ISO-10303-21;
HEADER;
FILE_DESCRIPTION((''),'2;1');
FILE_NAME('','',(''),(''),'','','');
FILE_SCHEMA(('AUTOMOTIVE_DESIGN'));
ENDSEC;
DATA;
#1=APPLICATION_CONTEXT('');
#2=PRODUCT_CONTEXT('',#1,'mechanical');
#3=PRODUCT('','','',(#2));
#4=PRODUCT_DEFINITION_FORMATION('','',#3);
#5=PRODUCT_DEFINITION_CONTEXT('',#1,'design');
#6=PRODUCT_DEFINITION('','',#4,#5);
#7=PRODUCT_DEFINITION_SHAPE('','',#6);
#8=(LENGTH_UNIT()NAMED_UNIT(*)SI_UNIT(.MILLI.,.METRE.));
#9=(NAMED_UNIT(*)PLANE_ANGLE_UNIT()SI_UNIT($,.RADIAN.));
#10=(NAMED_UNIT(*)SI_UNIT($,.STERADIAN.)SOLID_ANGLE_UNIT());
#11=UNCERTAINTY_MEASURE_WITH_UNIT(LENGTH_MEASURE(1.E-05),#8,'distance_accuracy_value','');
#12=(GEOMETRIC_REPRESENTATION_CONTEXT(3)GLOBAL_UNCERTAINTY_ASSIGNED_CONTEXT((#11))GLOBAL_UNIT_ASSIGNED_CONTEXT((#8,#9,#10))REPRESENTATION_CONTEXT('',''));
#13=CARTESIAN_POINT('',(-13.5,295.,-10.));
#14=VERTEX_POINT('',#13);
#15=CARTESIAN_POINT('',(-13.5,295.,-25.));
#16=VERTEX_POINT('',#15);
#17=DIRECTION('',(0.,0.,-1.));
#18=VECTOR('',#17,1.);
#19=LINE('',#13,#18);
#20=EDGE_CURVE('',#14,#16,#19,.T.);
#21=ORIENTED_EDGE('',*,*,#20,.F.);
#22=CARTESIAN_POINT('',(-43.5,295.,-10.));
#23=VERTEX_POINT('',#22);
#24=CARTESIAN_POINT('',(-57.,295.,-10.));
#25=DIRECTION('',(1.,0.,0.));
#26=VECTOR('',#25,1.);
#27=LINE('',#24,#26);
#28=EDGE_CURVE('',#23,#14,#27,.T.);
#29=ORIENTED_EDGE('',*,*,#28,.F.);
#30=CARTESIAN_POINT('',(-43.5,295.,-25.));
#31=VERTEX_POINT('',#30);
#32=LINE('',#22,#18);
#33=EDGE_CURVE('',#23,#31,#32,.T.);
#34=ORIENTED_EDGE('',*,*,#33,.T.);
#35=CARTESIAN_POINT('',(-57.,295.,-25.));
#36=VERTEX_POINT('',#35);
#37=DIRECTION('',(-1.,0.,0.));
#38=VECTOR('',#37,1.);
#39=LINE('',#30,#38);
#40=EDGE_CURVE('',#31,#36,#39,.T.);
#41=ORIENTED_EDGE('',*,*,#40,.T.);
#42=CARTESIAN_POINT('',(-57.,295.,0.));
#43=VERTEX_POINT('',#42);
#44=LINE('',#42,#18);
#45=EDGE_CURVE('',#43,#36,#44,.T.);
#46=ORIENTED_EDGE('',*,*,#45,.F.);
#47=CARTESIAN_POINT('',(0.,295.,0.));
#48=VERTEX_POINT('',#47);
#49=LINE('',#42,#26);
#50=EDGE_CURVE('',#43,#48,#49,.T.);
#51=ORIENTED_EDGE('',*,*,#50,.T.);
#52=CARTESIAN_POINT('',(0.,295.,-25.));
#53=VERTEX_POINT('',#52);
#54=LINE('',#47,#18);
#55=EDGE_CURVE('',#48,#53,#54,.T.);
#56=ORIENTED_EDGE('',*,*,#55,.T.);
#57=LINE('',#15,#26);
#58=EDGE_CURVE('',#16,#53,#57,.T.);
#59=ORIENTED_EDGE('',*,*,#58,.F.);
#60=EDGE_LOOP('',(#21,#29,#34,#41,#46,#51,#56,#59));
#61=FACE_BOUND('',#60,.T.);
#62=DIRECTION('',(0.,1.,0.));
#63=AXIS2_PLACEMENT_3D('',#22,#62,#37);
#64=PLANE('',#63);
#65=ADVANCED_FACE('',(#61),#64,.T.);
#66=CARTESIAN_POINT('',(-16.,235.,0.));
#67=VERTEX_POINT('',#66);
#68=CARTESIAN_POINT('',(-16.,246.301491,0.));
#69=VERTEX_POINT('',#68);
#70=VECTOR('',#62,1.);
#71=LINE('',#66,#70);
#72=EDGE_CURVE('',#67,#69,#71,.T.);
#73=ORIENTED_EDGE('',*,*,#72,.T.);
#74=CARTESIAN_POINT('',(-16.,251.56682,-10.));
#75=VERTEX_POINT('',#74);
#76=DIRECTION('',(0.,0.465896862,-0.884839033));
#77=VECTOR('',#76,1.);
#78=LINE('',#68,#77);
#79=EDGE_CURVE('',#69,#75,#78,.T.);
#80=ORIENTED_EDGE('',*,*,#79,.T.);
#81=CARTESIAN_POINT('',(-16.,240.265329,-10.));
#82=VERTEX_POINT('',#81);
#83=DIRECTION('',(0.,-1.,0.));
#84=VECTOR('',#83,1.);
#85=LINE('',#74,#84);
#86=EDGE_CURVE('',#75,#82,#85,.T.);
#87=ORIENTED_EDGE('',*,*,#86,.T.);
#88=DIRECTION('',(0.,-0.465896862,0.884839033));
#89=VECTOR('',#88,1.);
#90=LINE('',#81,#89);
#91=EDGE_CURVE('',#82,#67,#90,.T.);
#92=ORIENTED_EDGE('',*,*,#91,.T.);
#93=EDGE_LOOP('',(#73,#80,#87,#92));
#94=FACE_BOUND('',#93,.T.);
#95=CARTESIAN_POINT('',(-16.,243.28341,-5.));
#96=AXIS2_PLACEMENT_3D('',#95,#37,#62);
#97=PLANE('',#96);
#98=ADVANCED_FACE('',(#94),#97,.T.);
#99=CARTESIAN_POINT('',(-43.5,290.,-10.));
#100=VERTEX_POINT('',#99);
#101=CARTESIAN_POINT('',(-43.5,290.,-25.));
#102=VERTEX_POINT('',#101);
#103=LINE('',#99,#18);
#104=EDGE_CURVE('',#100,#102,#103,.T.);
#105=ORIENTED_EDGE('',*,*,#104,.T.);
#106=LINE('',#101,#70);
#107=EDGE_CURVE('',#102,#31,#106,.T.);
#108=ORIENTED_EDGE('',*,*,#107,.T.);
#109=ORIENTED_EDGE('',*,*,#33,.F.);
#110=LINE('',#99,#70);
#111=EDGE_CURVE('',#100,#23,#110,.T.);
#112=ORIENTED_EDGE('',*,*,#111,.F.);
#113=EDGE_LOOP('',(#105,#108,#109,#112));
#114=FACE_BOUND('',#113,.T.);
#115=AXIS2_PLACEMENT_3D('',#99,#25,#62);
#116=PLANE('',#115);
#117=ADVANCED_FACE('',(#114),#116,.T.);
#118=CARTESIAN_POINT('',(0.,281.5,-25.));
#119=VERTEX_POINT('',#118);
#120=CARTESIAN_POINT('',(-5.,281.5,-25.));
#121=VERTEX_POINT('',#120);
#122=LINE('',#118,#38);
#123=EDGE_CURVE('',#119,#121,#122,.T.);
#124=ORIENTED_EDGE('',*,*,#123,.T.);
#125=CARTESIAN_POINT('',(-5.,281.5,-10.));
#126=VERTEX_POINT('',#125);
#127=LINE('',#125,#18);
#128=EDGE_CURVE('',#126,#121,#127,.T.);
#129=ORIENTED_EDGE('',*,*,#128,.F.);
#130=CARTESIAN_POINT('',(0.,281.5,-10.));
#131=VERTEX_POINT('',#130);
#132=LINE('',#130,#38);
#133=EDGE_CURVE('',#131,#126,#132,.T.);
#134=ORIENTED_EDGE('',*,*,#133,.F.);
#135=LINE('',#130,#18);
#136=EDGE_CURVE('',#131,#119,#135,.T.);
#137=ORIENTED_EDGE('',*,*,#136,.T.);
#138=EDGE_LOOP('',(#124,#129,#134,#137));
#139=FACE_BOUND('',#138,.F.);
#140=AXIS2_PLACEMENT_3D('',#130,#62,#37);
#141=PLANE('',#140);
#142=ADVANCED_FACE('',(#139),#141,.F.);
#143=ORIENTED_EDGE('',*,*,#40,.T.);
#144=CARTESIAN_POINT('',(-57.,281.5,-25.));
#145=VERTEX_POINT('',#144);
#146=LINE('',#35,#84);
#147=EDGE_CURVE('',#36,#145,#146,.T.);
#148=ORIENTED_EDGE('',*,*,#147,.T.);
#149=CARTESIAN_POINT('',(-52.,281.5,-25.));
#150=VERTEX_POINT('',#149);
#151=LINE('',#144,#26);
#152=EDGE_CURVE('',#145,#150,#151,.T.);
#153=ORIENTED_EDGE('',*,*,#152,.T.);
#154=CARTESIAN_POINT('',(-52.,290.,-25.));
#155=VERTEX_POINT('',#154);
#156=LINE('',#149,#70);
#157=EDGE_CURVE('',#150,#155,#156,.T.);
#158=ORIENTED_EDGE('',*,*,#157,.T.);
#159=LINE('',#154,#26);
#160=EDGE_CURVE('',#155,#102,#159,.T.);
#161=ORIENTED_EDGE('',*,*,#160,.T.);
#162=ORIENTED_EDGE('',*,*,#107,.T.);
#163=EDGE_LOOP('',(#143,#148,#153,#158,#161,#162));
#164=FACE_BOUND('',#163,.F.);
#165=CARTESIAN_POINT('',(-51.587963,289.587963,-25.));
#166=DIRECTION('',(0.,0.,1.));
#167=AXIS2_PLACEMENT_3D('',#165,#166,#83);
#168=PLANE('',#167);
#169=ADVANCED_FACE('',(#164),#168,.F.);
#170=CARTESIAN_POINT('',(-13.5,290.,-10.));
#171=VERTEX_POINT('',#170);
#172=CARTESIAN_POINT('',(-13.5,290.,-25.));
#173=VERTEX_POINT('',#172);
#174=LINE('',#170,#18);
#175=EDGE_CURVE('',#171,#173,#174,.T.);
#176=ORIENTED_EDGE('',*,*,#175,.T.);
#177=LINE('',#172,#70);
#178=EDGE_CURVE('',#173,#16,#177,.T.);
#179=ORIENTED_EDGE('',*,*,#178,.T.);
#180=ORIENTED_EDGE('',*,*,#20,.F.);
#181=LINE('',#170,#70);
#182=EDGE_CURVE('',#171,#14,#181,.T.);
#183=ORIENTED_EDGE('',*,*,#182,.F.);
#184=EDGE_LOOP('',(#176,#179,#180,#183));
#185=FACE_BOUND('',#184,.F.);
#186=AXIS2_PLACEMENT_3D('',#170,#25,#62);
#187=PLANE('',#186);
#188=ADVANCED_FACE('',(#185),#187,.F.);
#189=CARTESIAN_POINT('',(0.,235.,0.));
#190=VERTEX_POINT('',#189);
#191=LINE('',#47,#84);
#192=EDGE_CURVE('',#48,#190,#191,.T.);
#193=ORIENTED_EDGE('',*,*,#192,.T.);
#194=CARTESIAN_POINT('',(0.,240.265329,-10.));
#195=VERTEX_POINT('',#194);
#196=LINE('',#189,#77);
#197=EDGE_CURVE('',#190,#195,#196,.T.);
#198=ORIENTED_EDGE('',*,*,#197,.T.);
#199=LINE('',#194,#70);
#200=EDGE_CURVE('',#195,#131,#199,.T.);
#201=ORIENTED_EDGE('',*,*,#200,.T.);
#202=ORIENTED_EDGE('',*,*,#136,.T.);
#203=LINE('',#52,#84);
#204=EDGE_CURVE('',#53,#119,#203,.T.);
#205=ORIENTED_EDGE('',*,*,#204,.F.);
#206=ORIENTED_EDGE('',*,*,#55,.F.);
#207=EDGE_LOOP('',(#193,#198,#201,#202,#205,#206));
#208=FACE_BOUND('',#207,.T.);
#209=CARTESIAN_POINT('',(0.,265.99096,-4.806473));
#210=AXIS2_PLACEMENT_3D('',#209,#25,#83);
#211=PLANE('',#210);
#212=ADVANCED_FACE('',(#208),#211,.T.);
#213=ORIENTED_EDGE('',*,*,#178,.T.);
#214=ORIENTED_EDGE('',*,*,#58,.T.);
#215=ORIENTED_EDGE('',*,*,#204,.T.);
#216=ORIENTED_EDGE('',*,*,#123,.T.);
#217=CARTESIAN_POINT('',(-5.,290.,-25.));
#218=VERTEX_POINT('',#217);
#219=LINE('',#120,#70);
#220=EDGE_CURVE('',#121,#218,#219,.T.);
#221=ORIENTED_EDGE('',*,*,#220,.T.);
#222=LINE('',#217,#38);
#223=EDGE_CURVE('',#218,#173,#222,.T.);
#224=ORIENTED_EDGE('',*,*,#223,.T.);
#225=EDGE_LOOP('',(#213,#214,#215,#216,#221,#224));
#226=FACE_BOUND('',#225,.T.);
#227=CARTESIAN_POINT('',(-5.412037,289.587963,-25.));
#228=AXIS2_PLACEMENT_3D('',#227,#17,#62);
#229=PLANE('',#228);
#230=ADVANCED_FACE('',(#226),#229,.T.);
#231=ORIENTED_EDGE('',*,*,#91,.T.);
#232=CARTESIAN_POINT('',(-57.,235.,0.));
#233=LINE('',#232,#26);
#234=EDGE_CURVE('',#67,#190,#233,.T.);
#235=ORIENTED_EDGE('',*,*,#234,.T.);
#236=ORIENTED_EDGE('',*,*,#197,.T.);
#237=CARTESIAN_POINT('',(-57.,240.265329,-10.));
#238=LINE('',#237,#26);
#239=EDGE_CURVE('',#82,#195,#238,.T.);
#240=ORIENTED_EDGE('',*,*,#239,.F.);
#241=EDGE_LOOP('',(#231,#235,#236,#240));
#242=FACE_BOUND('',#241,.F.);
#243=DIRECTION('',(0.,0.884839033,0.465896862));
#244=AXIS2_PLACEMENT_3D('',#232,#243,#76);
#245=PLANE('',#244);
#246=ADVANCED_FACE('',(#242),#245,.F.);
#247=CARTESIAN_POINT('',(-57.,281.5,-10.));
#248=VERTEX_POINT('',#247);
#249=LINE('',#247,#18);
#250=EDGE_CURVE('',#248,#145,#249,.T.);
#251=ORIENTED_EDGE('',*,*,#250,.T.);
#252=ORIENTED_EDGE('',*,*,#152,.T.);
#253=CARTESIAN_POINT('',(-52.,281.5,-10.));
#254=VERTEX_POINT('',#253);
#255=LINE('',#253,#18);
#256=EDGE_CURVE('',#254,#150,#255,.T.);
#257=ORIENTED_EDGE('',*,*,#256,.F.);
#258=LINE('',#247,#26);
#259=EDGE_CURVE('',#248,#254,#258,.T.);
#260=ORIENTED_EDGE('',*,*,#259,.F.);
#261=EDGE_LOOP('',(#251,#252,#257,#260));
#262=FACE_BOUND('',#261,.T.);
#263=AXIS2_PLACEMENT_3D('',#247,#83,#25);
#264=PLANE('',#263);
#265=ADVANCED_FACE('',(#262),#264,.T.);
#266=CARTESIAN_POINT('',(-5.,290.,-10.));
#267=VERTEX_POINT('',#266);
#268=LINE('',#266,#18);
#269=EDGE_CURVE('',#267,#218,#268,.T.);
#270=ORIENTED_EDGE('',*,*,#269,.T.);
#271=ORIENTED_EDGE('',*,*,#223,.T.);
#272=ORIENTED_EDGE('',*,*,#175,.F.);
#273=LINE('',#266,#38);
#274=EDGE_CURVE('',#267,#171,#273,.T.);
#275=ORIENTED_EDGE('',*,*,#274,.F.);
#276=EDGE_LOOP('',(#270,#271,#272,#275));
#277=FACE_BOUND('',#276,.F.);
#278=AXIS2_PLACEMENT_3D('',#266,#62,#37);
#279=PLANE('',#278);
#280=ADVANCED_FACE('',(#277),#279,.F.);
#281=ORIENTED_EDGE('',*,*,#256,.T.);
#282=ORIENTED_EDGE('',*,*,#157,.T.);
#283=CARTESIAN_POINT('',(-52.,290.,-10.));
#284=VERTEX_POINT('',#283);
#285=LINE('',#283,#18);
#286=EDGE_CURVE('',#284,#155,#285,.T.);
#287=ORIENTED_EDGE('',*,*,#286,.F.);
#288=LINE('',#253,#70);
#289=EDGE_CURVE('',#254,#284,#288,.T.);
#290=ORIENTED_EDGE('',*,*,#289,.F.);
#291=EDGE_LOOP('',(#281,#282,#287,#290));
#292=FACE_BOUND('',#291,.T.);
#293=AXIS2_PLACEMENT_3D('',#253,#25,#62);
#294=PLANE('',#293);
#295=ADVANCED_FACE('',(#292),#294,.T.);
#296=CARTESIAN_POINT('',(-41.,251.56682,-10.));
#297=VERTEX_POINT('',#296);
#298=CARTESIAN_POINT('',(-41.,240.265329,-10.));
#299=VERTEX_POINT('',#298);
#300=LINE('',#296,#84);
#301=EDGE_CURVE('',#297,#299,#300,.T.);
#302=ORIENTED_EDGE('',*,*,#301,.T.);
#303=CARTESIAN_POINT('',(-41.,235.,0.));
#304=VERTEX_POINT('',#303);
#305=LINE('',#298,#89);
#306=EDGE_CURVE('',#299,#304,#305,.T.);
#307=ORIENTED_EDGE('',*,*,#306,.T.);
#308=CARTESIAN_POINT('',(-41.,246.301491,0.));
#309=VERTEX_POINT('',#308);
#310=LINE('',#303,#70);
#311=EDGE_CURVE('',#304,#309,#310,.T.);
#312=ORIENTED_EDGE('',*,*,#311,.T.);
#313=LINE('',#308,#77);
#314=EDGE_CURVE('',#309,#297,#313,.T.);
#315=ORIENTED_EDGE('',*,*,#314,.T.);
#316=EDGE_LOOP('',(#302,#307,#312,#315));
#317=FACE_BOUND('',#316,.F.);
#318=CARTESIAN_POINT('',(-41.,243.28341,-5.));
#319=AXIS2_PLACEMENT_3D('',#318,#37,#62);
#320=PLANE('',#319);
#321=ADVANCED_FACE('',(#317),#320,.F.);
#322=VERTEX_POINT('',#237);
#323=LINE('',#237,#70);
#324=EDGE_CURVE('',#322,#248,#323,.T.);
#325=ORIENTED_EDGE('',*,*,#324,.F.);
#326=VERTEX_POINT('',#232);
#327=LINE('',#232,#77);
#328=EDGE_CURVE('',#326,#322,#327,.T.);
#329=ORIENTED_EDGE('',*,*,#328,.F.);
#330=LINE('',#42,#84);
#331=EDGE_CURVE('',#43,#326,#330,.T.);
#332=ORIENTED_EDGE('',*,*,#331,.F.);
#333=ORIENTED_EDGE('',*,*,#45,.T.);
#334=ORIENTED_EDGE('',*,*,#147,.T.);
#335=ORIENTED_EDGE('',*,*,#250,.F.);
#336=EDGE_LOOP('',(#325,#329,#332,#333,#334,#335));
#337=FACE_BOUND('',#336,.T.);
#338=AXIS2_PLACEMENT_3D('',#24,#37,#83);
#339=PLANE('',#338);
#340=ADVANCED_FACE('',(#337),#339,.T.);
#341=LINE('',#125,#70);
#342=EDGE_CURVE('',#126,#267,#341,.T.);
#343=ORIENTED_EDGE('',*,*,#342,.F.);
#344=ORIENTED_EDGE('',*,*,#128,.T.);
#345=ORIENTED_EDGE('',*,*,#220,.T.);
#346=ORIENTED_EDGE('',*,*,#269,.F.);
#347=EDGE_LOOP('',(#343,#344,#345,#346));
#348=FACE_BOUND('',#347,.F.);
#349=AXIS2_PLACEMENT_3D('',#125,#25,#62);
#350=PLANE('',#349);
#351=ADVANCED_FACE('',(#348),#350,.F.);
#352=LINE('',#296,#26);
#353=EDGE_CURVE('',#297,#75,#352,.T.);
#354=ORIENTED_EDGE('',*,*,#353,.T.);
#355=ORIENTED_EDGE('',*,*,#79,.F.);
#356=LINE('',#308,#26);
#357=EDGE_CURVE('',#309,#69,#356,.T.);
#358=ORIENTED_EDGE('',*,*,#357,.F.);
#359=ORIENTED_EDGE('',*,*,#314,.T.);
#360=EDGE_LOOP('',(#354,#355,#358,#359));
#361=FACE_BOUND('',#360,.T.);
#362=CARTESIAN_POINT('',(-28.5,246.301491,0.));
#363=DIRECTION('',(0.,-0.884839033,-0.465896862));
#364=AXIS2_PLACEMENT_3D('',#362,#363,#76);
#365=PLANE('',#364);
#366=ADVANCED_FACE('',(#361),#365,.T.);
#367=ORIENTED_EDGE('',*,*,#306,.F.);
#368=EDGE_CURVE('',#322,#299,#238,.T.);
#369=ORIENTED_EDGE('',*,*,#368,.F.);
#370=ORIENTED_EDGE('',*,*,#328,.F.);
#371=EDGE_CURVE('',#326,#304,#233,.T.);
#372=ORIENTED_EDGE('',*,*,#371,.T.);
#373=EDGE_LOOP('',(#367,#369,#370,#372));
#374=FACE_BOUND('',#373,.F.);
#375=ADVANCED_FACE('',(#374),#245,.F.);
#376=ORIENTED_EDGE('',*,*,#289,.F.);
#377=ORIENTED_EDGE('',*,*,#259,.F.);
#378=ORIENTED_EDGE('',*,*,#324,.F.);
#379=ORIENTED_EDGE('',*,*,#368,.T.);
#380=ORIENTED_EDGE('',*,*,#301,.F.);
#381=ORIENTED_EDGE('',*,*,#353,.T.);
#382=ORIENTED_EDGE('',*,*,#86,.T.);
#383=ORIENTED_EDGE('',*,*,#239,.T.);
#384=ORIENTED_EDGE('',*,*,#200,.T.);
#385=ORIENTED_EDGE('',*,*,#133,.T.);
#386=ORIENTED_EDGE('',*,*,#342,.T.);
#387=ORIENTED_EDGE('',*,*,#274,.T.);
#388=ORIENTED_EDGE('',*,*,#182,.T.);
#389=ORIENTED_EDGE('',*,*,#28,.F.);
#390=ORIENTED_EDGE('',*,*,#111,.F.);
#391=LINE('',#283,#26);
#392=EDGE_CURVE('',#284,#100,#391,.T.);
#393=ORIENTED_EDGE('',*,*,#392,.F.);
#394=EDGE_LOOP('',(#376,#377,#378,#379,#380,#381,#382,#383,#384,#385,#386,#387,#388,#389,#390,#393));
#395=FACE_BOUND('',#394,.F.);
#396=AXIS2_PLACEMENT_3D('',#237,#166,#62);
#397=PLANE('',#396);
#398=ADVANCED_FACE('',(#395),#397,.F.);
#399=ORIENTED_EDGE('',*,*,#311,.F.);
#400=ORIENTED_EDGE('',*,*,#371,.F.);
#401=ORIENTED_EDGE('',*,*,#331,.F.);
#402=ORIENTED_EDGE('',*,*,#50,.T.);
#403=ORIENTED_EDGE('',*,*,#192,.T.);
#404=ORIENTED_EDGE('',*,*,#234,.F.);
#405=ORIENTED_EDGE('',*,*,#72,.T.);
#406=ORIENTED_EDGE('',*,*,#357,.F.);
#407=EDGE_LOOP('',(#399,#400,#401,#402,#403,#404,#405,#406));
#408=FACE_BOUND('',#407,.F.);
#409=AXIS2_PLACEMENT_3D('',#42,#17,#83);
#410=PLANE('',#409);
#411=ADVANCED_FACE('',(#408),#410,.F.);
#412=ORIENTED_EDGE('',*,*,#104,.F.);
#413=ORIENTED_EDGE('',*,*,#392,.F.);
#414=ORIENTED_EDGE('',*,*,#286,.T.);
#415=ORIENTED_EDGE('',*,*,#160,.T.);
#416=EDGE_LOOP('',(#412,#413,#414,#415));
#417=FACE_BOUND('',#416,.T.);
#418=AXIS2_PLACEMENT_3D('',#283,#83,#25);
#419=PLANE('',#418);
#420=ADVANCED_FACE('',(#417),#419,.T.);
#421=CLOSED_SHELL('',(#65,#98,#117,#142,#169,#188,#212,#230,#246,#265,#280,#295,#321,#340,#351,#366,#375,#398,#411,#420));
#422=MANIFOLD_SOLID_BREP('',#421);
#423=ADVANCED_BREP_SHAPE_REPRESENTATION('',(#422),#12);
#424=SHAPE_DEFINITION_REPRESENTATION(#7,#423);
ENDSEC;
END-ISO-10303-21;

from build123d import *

# Parameters (mm, degrees)
PAD048_DEPTH           = 12.5
PAD047_DEPTH           = 57
PAD049_DEPTH           = 15
CUT001_PLACEMENT_ANGLE = 180


with BuildPart() as body025:
    # Sketch091 → Pad048 (new body, symmetric)
    with BuildSketch(Plane.YZ):
        Polygon((43.43318, 10), (54.734671, 10), (60, 0), (48.698509, 0), align=None)
    extrude(amount=PAD048_DEPTH, both=True)


with BuildPart() as body025_1:
    # Body025 placement: moved
    add(body025.part.moved(Location((28.5, 0, 0))))


with BuildPart() as cut001:
    # Sketch088 → Pad047 (new body)
    with BuildSketch(Plane.YZ):
        Polygon((0, 0), (60, 0), (54.734671, 10), (0, 10), align=None)
    extrude(amount=PAD047_DEPTH)

    # Sketch093 (on Face1 of Pad047) → Pad049 (join)
    with BuildSketch(Plane(origin=(0, 0, 10), x_dir=(0, -1, 0), z_dir=(0, 0, 1))):
        Polygon((0, 0), (-13.5, 0), (-13.5, 5), (-5, 5), (-5, 13.5), (0, 13.5), align=None)
        Polygon((0, 57), (-13.5, 57), (-13.5, 52), (-5, 52), (-5, 43.5), (0, 43.5), align=None)
    extrude(amount=PAD049_DEPTH)

    # Cut001: cut Body025
    add(body025_1.part, mode=Mode.SUBTRACT)


with BuildPart() as cut001_1:
    # Cut001 placement: moved
    add(cut001.part.moved(Location((-57, 295, 0))).rotate(Axis((-57, 295, 0), (1, 0, 0)), CUT001_PLACEMENT_ANGLE))


solid = cut001_1.part
